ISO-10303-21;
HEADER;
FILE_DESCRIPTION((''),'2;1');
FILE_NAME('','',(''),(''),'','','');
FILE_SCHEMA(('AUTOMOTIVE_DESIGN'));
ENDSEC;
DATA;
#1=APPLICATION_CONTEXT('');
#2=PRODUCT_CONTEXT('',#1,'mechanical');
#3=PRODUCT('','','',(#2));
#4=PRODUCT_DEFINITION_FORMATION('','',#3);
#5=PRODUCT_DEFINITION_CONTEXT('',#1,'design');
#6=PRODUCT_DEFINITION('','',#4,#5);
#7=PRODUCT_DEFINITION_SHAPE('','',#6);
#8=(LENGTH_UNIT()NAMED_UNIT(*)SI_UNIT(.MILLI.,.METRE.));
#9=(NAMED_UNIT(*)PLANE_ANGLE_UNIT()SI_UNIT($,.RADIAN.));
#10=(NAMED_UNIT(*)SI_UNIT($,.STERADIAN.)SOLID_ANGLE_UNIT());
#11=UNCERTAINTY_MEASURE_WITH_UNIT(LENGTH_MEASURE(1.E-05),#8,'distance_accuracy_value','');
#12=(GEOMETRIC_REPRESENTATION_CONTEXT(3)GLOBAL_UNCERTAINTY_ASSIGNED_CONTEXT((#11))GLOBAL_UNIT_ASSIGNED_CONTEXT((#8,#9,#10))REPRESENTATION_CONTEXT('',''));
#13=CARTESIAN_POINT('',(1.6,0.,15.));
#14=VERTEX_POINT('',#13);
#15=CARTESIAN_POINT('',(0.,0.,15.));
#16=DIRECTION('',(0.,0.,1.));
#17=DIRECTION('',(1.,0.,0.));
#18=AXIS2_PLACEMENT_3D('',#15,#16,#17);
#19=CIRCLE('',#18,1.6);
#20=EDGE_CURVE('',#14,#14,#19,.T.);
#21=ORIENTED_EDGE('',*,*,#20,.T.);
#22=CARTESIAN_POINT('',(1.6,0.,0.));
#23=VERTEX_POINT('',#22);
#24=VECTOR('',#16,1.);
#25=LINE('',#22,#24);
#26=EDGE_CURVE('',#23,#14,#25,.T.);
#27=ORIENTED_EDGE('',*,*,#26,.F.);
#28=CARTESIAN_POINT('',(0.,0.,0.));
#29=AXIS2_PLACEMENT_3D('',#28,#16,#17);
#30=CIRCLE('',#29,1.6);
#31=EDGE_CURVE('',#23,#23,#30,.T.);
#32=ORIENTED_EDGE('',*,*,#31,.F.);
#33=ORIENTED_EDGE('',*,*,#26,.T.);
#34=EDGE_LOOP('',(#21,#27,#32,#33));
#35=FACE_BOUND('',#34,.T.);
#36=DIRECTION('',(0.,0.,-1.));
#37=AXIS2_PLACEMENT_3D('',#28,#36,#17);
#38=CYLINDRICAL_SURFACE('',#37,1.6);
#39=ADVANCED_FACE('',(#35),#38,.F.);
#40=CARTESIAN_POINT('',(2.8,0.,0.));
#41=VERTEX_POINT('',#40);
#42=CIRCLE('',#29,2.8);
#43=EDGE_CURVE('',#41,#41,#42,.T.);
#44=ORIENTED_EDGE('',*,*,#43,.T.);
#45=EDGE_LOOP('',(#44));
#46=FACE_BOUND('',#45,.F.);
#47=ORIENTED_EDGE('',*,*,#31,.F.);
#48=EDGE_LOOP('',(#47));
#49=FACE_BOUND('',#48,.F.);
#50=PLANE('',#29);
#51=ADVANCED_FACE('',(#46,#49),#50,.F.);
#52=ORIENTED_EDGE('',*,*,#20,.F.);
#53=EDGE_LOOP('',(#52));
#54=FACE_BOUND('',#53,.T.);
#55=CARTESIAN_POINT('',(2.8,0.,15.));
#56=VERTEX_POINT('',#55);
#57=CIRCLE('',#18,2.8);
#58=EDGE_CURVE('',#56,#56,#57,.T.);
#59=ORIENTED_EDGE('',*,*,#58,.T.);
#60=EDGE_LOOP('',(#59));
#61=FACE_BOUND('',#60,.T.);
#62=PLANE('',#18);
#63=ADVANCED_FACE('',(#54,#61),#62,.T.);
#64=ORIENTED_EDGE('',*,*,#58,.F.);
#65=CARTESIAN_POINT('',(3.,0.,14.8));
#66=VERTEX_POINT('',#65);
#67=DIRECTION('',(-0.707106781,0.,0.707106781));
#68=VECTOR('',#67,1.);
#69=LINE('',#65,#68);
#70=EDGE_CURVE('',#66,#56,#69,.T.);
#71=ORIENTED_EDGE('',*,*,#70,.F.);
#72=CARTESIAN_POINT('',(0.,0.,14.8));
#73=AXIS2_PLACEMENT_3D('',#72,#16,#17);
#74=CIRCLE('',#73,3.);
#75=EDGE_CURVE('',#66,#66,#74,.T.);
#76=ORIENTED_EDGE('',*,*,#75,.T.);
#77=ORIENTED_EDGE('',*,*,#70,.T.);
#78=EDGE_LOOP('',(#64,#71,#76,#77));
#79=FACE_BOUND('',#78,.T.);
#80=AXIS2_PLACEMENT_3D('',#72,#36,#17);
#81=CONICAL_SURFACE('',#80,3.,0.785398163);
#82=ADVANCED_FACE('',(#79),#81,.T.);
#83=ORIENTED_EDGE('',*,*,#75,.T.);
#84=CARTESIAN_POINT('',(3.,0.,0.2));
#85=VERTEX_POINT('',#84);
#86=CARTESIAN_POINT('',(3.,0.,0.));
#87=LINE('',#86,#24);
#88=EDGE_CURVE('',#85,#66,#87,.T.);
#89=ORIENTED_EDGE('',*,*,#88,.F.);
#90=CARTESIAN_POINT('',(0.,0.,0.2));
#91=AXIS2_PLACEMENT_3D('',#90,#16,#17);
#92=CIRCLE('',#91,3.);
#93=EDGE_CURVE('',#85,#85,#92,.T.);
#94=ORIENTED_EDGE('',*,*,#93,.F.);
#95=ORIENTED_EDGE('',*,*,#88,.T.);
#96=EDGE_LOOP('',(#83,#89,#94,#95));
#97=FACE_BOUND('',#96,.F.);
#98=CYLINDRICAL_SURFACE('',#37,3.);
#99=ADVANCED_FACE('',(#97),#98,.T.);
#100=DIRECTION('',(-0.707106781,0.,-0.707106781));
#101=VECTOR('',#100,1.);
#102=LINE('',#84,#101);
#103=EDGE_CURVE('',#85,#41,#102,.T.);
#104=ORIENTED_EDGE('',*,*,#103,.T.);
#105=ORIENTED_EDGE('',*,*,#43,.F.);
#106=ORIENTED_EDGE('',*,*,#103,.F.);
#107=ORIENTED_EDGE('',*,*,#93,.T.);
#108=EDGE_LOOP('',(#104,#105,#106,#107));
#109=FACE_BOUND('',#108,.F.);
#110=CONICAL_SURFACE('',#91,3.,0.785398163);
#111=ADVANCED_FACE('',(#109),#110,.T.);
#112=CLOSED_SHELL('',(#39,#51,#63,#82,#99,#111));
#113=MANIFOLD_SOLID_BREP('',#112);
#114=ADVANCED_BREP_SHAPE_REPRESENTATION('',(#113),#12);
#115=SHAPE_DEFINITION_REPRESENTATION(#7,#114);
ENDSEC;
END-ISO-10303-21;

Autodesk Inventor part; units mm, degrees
ref_plane "YZ Plane" through (0, 0, 0) normal (1, 0, 0) x (0, 1, 0)
ref_plane "XZ Plane" through (0, 0, 0) normal (0, 1, 0) x (-1, 0, 0)
ref_plane "XY Plane" through (0, 0, 0) normal (0, 0, 1) x (1, 0, 0)
sketch "スケッチ1" plane through (0, 0, 0) normal (0, 0, 1) x (1, 0, 0)
  circle A0 centre (0, 0) radius 3
  circle A1 centre (0, 0) radius 1.6
  dimension "d0" = 6
  dimension "d1" = 3.2
extrude "押し出し1" add sketch "スケッチ1" along normal blind 15
chamfer "面取り1" distance 0.2 angle 45 2 edges at (-3, 0, 15) (-3, 0, 0)
properties part number "軸6-15" material "アルミニウム 6061"
